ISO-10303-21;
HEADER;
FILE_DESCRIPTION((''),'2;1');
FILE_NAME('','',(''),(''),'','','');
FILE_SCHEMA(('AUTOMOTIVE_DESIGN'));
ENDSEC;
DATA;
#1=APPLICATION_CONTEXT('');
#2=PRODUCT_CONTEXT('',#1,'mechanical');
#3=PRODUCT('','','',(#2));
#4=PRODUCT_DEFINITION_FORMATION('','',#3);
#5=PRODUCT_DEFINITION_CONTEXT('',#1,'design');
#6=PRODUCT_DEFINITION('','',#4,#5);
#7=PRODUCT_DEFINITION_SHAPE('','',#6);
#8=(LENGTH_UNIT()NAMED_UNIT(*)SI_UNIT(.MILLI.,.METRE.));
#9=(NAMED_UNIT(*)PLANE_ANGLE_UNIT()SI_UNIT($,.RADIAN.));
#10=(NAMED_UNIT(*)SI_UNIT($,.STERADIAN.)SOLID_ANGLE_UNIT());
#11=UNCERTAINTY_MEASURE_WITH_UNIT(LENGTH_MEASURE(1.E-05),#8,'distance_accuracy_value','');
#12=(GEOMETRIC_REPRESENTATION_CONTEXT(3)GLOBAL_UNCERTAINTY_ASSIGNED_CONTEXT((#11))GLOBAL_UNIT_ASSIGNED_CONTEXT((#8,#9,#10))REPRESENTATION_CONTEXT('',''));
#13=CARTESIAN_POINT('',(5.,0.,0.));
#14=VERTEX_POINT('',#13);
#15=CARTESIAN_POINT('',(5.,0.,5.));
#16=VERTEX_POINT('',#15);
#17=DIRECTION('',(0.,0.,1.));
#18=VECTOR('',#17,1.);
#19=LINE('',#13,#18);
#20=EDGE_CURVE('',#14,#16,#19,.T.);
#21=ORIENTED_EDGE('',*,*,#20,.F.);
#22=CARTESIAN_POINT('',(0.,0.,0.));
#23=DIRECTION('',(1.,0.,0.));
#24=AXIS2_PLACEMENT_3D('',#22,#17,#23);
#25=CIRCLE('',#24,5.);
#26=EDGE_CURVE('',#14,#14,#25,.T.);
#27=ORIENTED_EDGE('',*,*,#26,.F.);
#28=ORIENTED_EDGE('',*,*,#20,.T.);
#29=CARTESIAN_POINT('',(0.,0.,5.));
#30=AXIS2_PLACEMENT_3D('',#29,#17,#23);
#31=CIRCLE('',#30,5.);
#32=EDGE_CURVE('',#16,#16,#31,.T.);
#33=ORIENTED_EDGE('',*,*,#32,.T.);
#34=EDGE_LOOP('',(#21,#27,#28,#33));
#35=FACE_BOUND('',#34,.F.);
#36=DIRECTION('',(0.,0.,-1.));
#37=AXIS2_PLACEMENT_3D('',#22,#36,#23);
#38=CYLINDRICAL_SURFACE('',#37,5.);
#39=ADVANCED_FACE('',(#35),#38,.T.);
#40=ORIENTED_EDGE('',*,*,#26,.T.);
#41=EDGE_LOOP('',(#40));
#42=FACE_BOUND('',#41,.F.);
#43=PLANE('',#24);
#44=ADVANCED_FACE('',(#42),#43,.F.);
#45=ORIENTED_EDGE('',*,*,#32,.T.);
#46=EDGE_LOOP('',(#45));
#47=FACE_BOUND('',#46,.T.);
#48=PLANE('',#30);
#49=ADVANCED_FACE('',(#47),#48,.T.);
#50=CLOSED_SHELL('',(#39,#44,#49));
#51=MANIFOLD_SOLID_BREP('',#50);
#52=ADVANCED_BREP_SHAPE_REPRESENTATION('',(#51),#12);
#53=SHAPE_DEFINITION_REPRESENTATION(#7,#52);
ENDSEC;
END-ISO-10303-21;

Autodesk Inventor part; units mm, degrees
ref_plane "YZ Plane" through (0, 0, 0) normal (1, 0, 0) x (0, 1, 0)
ref_plane "XZ Plane" through (0, 0, 0) normal (0, 1, 0) x (-1, 0, 0)
ref_plane "XY Plane" through (0, 0, 0) normal (0, 0, 1) x (1, 0, 0)
sketch "草图1" plane through (0, 0, 0) normal (0, 0, 1) x (1, 0, 0)
  circle A0 centre (0, 0) radius 5
  dimension "d0" = 10
extrude "拉伸1" add sketch "草图1" along normal blind 5
properties part number "皮带轮"
